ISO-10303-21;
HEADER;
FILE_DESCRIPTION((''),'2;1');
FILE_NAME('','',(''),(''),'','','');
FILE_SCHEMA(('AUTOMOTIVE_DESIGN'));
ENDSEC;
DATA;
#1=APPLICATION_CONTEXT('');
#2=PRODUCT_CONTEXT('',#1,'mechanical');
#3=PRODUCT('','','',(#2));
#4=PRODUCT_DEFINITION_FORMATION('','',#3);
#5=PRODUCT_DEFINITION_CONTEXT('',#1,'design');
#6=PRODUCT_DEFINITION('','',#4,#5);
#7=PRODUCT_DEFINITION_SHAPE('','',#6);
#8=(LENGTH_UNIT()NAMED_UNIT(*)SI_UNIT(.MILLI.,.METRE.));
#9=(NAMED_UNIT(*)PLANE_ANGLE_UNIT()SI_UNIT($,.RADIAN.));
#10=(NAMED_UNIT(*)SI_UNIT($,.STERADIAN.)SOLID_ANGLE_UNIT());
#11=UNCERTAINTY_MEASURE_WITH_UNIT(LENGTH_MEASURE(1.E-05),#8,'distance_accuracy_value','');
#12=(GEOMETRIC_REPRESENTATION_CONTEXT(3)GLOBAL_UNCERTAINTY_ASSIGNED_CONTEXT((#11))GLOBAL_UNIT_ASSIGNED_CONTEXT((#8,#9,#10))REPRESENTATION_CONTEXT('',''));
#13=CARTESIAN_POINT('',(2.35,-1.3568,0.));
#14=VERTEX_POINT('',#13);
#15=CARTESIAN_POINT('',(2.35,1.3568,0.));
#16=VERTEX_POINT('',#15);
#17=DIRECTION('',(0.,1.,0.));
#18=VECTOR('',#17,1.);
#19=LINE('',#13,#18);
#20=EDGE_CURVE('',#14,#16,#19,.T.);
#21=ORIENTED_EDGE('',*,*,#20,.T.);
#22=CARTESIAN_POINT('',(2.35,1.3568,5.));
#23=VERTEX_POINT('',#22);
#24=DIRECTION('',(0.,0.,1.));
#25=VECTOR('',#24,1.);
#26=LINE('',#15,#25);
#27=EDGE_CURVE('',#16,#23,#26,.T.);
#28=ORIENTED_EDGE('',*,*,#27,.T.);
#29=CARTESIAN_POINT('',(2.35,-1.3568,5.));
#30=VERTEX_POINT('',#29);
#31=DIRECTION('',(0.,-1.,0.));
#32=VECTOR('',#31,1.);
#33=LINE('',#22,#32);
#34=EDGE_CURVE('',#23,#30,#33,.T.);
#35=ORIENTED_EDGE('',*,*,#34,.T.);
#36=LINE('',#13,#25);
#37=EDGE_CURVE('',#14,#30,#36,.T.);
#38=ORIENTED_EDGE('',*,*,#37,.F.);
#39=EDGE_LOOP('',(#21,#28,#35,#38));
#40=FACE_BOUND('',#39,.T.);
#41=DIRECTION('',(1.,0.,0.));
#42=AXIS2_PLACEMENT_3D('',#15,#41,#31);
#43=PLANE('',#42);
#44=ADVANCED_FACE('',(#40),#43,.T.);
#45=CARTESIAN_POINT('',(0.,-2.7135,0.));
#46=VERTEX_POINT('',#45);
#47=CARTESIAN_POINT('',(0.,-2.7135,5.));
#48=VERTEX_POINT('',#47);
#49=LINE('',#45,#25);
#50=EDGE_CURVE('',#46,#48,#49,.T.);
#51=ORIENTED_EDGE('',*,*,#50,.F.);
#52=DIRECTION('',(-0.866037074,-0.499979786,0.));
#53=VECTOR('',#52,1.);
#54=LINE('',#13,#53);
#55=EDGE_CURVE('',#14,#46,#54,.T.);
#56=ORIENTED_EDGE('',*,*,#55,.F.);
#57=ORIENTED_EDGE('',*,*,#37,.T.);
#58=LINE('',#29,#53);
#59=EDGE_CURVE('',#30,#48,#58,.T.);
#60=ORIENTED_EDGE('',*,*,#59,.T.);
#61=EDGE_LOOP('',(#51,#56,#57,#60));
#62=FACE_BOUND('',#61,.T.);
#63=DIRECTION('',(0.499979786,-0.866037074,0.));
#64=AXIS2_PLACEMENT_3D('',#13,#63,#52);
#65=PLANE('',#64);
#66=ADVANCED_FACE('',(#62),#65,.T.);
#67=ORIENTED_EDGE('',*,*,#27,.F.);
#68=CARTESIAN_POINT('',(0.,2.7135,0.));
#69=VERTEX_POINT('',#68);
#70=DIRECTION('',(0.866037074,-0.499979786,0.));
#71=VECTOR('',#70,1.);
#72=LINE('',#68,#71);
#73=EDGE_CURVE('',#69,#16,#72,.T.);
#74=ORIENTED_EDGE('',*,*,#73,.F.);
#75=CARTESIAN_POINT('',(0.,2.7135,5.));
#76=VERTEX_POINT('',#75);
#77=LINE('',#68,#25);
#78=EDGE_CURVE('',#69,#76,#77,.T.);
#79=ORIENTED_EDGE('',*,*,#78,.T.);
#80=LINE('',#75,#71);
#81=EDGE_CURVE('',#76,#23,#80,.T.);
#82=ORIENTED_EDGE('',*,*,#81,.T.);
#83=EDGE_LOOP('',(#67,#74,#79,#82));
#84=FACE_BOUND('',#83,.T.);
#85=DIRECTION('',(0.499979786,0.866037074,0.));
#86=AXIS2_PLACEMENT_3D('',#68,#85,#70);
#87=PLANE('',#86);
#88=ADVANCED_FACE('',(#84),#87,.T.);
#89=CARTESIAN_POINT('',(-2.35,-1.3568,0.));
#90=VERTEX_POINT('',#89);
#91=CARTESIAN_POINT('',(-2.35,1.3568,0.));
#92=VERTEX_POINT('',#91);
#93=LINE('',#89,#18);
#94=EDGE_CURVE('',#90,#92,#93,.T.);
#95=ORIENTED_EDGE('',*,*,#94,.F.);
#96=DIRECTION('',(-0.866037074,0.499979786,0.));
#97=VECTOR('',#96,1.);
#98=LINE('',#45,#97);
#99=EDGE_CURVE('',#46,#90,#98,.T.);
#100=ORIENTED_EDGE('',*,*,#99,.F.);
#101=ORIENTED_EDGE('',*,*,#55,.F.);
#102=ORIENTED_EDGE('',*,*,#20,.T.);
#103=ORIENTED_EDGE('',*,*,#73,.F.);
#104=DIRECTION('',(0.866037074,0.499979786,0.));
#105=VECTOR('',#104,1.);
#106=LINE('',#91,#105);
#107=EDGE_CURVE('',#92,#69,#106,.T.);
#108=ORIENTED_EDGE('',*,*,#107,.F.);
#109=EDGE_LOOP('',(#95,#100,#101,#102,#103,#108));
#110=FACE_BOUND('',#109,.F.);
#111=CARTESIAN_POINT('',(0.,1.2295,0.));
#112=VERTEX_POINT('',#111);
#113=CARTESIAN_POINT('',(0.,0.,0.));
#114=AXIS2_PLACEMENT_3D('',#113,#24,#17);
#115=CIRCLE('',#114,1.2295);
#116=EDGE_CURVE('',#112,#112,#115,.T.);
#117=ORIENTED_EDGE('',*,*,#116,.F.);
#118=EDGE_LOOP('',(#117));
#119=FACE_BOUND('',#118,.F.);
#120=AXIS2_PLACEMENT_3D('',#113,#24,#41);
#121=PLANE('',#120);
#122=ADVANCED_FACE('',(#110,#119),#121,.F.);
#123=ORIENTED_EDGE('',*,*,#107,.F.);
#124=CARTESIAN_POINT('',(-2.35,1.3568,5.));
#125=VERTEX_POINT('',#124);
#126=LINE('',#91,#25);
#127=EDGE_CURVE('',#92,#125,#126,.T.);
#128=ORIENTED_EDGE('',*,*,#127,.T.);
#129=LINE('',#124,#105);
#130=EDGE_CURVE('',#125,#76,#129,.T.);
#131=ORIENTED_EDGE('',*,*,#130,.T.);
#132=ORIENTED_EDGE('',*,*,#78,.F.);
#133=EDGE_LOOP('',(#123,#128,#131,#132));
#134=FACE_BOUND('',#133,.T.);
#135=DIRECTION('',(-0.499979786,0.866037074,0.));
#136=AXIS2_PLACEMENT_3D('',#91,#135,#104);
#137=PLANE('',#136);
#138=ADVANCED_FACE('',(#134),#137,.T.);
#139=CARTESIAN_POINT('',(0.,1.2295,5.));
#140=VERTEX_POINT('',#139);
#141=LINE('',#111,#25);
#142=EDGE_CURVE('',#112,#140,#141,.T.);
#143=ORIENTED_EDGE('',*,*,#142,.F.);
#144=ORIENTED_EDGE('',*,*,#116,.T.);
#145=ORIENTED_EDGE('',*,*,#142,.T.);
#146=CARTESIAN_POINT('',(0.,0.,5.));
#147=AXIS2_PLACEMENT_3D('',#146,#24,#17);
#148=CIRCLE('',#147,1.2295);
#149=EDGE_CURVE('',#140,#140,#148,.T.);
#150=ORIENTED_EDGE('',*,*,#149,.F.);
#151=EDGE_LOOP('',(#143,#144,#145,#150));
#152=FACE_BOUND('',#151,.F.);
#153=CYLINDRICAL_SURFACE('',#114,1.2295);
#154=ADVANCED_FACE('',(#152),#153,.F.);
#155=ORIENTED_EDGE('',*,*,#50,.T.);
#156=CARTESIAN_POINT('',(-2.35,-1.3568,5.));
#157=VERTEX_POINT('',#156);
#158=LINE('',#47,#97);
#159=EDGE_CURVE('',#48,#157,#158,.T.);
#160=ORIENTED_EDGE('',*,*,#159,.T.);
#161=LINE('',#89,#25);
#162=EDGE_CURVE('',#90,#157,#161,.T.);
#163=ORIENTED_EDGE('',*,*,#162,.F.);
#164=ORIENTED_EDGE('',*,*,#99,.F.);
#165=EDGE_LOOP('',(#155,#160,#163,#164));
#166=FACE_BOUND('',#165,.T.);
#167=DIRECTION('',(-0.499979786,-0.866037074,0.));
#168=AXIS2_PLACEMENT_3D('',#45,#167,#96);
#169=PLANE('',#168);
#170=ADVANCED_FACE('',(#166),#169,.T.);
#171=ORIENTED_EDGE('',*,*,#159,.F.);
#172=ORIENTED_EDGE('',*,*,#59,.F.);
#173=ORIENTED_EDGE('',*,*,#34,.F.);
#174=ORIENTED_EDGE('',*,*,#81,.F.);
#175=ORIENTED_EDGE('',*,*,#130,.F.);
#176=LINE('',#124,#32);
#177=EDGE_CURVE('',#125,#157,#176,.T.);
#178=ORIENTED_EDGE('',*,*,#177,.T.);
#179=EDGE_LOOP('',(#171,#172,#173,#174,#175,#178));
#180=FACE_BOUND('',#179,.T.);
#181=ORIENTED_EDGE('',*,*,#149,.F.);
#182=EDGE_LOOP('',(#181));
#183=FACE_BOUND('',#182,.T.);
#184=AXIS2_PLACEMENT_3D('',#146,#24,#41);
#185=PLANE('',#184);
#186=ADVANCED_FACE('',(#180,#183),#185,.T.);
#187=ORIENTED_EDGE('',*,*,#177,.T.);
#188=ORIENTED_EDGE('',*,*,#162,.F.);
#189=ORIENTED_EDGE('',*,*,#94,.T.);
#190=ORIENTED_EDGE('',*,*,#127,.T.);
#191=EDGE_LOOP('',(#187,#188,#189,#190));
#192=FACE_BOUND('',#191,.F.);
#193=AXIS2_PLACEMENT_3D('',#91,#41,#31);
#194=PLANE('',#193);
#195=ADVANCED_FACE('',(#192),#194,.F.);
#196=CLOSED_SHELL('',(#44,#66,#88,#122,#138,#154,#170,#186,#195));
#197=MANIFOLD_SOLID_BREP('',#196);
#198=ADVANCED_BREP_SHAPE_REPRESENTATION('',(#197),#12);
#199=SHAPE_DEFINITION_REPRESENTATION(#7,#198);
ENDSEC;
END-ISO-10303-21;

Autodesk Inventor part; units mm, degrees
ref_plane "YZ Plane" through (0, 0, 0) normal (1, 0, 0) x (0, 1, 0)
ref_plane "XZ Plane" through (0, 0, 0) normal (0, 1, 0) x (-1, 0, 0)
ref_plane "XY Plane" through (0, 0, 0) normal (0, 0, 1) x (1, 0, 0)
sketch "Sketch1" plane through (0, 0, 0) normal (0, 0, 1) x (1, 0, 0)
  line L0 (2.35, 1.3568) -> (2.35, -1.3568)
  line L1 (2.35, -1.3568) -> (0, -2.7135)
  line L2 (0, -2.7135) -> (-2.35, -1.3568)
  line L3 (-2.35, 1.3568) -> (-2.35, -1.3568)
  line L4 (-2.35, 1.3568) -> (0, 2.7135)
  line L5 (0, 2.7135) -> (2.35, 1.3568)
  circle A0 centre (0, 0) radius 2.7135 construction
  line L6 (0, 29.0365) -> (0, -7.2493) construction
  line L7 (0, -14.5064) -> (0, 36.2936) projected
  line L8 (-3.799, 0) -> (3.799, 0) projected
  dimension "d0" = 5.4271
  dimension "d20" = 4.7
  dimension "d21" = 2.7136
extrude "Hexagon1" add sketch "Sketch1" along normal blind 5
hole "Hole1" at (0, 0, 0) direction (0, 0, 1) diameter 2.459 end through all thread size "M3x0.5" class "6H" standard "ISO Metric profile"
properties part number "Spacer-M3-FF-05" material "Brass, Soft Yellow, Welded"
